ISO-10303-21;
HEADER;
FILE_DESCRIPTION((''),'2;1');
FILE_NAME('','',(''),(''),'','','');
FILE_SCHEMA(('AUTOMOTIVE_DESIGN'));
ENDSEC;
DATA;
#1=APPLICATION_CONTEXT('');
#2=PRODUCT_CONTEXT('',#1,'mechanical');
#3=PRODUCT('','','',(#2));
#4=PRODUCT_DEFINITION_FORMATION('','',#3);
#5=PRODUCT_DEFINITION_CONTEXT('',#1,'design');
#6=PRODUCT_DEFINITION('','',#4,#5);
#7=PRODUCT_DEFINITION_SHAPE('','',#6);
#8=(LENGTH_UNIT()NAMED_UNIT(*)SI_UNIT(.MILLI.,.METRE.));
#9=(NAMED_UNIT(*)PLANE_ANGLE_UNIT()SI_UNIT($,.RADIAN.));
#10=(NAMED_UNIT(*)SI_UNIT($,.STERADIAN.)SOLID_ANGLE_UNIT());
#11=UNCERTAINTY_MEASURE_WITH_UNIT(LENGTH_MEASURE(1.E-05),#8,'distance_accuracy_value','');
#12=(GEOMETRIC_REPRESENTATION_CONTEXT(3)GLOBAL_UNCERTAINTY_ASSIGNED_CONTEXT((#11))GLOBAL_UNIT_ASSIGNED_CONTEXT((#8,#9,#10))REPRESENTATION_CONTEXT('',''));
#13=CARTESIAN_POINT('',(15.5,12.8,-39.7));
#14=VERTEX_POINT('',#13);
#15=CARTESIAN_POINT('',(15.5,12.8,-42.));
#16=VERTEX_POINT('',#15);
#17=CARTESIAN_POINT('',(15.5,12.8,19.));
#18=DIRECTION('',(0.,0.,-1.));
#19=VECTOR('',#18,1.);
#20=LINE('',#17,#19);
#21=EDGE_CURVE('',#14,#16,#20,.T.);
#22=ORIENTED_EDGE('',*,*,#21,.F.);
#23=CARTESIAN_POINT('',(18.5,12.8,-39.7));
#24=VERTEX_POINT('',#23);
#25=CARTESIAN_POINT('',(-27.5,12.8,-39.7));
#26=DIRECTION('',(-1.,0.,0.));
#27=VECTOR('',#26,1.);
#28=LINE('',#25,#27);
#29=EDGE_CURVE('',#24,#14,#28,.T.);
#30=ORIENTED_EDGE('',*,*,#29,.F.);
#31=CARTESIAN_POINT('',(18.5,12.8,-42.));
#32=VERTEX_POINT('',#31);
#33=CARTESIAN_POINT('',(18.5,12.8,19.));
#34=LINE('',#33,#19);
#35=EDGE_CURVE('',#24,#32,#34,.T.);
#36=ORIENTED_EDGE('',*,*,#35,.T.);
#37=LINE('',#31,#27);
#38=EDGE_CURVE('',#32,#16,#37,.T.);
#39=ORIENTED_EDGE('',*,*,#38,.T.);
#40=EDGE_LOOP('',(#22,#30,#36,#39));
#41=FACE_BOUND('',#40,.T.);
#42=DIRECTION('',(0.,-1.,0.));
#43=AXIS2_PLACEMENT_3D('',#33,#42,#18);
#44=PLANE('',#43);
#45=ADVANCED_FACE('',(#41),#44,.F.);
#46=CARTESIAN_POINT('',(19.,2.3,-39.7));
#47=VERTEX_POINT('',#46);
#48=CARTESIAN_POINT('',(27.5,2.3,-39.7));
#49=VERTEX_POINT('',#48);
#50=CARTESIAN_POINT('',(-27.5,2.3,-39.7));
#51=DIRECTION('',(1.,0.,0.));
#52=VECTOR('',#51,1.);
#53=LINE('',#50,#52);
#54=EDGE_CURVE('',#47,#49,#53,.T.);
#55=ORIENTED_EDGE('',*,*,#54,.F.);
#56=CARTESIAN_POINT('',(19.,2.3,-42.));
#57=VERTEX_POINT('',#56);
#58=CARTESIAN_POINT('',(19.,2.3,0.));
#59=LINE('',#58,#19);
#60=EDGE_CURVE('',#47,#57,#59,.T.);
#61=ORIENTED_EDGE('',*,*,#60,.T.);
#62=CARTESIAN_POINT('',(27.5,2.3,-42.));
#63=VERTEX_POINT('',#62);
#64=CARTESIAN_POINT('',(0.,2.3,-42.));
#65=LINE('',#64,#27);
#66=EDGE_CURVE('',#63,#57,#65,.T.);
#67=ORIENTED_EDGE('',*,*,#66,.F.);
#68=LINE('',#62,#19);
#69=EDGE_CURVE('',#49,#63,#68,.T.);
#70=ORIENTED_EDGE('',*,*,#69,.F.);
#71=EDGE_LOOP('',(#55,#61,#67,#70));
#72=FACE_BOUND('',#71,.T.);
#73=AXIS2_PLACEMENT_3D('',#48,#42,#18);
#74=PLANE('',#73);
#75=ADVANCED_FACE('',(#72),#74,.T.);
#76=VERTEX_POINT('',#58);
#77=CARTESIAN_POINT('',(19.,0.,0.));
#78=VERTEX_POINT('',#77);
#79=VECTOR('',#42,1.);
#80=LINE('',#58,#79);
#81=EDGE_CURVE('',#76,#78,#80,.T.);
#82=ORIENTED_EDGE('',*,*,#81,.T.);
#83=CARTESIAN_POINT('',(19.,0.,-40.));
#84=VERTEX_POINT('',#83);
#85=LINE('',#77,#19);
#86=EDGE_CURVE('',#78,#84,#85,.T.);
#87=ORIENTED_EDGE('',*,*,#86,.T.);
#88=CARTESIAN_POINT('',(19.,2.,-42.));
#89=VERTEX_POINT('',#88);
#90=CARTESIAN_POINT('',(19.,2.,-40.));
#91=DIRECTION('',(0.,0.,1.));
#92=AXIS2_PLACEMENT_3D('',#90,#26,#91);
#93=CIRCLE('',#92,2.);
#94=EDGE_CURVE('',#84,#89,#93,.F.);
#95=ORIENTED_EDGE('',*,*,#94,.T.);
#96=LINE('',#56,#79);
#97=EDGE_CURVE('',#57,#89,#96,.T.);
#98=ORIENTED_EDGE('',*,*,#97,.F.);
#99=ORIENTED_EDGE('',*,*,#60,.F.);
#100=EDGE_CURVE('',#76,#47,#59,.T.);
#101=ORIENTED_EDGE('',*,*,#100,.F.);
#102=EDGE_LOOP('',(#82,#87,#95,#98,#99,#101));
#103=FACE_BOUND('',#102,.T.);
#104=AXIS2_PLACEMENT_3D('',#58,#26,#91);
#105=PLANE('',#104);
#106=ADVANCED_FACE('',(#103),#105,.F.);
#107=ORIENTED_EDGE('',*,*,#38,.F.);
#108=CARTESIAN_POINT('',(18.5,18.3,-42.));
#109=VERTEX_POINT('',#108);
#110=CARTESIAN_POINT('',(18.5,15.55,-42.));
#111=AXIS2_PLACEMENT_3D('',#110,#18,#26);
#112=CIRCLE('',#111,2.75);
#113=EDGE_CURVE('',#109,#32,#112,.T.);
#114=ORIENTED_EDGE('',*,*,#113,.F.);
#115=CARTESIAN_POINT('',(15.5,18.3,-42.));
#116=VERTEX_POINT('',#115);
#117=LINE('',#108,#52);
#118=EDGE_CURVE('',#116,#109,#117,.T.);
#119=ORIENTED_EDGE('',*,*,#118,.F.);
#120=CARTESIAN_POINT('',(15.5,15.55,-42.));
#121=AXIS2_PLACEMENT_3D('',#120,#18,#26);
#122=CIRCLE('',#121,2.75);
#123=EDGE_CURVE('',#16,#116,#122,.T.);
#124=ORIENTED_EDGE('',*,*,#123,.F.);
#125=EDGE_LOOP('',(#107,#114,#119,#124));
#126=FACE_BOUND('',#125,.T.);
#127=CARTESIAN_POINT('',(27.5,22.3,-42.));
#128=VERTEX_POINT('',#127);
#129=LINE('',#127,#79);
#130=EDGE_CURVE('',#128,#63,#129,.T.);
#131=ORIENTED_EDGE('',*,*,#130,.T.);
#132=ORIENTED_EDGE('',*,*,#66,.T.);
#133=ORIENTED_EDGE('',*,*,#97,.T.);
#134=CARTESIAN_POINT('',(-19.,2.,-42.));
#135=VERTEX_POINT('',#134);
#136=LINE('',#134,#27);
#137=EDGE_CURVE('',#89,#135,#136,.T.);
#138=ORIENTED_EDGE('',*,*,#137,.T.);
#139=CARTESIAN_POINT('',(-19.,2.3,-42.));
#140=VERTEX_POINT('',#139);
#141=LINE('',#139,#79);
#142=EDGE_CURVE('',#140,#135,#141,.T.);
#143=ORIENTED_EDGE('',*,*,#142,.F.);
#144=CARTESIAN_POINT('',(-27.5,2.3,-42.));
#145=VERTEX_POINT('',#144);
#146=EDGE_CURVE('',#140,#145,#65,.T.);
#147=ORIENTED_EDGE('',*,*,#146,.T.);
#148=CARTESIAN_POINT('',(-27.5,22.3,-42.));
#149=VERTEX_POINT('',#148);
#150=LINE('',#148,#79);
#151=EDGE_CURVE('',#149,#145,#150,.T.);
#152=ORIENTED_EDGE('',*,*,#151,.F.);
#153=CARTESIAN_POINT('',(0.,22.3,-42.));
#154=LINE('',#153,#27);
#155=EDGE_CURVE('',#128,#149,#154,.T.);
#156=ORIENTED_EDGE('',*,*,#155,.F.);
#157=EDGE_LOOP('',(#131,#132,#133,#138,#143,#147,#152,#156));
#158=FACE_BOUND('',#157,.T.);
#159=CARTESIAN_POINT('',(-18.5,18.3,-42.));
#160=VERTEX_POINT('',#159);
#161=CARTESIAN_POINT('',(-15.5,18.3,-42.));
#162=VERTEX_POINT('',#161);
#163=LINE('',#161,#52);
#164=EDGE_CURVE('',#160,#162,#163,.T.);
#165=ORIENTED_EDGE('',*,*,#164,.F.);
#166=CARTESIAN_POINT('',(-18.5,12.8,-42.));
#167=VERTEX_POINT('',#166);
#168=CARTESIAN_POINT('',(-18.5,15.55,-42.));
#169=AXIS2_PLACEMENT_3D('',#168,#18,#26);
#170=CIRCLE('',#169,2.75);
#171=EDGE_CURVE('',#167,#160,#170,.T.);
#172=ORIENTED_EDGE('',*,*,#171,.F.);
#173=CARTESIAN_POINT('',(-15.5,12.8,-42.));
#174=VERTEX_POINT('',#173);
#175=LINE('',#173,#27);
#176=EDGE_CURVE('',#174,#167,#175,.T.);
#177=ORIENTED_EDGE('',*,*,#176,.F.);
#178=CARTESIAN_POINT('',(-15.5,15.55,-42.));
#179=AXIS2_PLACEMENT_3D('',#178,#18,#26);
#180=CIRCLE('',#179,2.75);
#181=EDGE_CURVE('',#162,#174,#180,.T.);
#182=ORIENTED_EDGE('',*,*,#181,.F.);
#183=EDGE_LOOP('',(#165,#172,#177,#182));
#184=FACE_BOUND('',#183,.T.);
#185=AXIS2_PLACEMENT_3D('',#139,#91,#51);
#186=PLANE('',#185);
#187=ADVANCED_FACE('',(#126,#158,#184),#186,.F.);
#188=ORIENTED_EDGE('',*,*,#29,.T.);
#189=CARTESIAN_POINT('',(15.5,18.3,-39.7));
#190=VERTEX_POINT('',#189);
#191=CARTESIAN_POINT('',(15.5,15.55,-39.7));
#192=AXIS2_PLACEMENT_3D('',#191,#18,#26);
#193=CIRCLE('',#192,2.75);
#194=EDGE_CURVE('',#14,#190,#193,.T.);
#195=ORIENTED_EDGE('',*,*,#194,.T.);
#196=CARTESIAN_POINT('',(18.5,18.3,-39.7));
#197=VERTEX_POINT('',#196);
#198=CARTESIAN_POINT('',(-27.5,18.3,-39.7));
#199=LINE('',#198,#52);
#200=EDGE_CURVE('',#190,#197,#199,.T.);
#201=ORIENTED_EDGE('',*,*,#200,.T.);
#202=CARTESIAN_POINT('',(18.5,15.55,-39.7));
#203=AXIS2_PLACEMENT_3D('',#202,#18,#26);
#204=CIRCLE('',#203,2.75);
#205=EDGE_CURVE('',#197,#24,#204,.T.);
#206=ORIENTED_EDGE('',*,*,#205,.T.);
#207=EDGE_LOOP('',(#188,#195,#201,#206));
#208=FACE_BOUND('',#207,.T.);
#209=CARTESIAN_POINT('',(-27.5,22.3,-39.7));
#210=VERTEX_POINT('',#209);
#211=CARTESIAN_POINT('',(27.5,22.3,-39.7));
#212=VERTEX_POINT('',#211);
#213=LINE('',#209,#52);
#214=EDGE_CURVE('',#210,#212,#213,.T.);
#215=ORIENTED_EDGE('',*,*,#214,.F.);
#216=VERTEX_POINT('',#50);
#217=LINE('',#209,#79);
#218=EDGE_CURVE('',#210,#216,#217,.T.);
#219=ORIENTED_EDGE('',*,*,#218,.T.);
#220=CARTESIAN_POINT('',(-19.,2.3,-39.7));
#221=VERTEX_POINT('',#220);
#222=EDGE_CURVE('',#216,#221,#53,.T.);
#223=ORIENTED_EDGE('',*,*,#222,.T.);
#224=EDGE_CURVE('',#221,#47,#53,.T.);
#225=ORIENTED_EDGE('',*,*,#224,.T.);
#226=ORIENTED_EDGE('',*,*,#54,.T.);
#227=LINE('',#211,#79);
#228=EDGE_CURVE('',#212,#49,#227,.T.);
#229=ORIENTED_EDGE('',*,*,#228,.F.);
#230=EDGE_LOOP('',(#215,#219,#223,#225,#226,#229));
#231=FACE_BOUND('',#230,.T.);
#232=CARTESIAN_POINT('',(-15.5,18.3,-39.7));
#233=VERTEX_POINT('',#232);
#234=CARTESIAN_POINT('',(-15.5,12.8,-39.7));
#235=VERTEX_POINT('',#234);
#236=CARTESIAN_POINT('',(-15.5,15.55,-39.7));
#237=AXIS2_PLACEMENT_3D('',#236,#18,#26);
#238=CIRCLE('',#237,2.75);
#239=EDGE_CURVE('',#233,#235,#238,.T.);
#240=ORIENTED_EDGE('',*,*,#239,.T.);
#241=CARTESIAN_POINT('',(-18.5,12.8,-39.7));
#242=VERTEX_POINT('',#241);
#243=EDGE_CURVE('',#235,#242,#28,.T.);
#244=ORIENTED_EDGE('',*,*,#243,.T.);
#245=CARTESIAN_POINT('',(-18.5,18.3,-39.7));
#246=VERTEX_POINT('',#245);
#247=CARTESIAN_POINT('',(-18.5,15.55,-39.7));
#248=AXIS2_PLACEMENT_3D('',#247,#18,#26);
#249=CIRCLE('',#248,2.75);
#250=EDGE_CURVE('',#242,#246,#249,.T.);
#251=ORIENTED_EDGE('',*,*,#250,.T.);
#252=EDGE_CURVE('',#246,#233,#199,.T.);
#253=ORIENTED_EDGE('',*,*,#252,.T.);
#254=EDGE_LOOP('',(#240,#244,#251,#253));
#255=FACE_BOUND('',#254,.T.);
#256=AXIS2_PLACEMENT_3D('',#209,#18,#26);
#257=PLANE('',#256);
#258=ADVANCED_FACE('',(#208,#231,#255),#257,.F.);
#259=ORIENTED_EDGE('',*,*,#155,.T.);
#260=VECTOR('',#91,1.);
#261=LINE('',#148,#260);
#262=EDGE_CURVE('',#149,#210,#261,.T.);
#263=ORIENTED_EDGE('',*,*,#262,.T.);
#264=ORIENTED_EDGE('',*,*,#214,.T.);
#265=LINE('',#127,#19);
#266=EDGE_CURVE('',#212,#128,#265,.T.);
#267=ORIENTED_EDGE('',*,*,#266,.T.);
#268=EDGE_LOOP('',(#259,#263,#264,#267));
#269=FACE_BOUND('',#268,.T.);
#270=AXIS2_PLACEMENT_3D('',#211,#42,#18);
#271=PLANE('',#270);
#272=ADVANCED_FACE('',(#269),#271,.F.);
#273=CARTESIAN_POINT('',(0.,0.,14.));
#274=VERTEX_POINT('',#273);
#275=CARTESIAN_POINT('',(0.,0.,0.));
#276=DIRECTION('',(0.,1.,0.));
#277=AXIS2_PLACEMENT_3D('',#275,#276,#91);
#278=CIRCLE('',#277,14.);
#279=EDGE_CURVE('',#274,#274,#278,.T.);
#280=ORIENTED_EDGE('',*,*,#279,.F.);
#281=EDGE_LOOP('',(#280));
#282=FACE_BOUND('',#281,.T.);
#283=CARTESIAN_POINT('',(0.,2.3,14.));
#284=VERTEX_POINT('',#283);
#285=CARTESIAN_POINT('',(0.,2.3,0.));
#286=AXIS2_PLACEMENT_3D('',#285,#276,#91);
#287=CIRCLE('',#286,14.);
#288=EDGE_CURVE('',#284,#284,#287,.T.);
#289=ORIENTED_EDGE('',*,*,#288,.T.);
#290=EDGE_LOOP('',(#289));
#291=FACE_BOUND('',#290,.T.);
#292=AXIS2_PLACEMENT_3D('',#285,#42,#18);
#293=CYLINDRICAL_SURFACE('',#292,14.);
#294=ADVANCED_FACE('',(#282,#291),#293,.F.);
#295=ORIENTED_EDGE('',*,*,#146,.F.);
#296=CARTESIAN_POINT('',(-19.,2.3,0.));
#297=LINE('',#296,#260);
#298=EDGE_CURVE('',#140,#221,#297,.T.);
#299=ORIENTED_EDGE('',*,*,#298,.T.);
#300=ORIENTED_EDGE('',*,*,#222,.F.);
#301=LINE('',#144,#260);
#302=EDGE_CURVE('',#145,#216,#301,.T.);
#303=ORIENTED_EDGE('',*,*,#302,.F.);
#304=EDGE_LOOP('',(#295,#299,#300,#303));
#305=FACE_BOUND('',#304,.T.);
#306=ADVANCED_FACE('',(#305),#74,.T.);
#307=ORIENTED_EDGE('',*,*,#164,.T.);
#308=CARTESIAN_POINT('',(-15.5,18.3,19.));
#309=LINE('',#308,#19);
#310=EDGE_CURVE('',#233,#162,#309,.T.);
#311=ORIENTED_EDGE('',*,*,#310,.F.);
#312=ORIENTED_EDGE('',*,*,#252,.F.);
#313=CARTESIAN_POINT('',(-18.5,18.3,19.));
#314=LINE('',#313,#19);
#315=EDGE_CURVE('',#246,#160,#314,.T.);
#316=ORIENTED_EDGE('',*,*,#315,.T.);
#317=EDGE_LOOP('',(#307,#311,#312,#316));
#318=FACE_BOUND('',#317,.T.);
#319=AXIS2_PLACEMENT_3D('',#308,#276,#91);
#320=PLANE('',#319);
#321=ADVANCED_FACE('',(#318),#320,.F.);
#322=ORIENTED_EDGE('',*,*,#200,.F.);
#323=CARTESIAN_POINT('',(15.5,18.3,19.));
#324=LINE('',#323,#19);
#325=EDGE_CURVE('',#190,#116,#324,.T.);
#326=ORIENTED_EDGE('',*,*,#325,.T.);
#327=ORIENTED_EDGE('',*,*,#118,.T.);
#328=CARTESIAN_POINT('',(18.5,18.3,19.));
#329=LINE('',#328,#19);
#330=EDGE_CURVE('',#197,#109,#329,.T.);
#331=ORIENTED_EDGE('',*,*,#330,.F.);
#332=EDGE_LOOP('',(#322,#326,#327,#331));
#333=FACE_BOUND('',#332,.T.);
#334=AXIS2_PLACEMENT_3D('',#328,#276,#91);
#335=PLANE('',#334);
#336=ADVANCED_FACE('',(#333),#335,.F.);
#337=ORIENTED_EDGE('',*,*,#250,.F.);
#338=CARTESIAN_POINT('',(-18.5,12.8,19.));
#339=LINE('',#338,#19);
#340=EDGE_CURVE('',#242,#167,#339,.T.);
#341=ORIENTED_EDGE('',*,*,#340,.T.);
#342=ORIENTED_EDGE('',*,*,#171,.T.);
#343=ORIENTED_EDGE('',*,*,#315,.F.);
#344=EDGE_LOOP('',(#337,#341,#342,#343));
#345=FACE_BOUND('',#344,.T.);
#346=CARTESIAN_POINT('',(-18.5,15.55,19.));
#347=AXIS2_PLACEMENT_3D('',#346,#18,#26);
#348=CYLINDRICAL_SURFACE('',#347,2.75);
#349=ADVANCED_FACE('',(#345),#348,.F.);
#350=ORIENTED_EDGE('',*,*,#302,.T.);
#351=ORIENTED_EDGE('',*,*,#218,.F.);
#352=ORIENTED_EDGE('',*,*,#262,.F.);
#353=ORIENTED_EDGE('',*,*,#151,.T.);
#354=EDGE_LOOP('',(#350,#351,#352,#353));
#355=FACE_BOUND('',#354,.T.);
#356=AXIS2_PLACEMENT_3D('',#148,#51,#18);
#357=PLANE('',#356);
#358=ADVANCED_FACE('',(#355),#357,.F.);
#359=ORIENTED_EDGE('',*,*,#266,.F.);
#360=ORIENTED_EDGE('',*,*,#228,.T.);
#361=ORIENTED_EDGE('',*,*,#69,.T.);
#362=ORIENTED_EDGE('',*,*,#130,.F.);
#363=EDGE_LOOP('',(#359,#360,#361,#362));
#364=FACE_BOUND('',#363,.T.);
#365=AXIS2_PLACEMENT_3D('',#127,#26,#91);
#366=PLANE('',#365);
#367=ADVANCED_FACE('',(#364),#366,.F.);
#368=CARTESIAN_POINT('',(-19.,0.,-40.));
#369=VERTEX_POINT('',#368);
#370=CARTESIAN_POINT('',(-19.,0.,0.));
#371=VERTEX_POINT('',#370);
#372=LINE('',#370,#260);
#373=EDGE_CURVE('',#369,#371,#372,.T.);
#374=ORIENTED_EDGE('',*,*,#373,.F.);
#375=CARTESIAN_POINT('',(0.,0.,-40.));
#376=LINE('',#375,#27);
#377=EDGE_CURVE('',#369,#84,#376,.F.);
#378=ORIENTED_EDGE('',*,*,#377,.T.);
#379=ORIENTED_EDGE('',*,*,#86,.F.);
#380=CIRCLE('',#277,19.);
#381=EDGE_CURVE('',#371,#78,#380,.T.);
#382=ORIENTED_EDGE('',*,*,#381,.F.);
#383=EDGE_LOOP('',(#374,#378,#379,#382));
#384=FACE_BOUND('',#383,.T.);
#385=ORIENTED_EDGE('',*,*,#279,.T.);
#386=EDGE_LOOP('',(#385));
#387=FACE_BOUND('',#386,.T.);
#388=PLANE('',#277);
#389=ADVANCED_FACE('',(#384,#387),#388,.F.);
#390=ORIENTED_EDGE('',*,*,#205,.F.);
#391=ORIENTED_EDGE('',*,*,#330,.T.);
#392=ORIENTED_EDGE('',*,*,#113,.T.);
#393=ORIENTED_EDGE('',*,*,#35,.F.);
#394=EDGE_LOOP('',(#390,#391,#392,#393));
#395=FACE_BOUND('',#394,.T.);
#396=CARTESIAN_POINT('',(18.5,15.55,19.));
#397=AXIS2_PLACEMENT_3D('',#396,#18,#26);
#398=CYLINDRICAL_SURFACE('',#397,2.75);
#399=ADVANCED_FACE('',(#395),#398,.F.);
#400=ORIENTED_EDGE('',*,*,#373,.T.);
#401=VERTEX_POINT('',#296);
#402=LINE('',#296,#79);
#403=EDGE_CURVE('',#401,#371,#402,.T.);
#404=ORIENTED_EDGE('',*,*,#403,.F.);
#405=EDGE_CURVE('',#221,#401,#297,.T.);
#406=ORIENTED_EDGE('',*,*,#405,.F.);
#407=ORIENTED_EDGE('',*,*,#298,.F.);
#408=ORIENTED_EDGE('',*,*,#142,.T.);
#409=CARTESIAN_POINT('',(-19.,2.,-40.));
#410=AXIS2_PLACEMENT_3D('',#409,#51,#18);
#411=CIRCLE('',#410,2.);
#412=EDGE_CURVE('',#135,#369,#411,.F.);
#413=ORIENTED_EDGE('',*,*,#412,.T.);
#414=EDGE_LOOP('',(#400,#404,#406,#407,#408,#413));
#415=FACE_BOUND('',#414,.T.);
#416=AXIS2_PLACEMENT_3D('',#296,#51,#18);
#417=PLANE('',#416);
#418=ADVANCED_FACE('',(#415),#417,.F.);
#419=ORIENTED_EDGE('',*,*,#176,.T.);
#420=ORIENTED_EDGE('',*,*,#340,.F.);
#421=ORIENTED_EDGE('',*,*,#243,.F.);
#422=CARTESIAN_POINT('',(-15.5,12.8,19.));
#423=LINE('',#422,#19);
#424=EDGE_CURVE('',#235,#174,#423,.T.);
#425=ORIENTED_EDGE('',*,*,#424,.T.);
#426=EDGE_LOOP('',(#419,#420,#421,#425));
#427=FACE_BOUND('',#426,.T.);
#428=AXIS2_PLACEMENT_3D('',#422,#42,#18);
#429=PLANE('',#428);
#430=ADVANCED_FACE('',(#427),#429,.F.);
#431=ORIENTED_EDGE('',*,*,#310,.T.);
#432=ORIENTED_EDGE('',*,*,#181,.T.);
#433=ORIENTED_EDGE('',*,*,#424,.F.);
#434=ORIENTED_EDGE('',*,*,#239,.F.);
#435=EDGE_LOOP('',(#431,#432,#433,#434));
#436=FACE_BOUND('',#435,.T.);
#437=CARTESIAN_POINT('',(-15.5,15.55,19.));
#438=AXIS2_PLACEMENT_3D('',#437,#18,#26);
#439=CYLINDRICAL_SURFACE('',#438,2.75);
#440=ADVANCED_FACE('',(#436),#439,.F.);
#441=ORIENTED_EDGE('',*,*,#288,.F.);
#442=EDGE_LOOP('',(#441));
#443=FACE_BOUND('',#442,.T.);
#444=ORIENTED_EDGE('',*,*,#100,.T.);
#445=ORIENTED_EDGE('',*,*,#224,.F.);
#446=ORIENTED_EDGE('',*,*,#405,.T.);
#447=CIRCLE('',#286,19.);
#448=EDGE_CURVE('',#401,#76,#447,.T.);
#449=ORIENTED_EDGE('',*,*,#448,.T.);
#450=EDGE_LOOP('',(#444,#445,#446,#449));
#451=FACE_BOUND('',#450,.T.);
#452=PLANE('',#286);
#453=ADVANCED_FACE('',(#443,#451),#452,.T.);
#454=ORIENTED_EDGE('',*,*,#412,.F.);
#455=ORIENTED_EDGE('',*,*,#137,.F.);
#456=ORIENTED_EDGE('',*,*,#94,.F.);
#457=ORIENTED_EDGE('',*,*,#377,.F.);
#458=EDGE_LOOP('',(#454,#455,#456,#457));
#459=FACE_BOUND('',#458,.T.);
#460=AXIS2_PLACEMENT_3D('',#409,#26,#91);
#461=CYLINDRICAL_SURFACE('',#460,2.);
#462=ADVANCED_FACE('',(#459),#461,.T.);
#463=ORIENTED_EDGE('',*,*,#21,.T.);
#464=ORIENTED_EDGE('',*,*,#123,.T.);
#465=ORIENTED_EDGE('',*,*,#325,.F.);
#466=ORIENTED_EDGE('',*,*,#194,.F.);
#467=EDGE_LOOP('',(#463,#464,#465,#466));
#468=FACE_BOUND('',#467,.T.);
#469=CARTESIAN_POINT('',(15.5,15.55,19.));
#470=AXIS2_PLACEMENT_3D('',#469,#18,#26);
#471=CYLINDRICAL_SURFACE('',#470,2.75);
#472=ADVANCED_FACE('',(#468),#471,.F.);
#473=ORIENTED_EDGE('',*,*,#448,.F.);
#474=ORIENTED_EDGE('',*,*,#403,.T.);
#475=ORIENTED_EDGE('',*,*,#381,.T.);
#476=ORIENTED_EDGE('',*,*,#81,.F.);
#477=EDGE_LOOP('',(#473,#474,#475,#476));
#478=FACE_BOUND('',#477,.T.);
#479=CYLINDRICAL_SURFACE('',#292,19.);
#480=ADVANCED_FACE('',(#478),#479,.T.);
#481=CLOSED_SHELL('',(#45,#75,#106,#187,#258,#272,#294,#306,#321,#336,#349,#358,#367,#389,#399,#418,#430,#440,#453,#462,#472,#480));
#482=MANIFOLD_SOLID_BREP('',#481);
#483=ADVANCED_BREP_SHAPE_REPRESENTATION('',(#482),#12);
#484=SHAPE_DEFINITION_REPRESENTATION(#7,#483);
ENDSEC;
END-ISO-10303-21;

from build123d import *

# Parameters (mm, degrees)
SKETCH_1_R          = 14
EXTRUDE_1_DEPTH     = 2.3
EXTRUDE_2_DEPTH     = 20
FILLET_1_R          = 2
CUT_EXTRUDE_3_DEPTH = 71.530418969


with BuildPart() as part:
    # 草图1 → 拉伸1 (new body)
    with BuildSketch(Plane(origin=(0, 0, 0), x_dir=(1, 0, 0), z_dir=(0, 1, 0))):
        with BuildLine():
            Line((-19, 0), (-19, 42))
            Line((-19, 42), (19, 42))
            Line((19, 42), (19, 0))
            ThreePointArc((19, 0), (0, -19), (-19, 0))
        make_face()
        with Locations(Location((0, 0, 0), (0, 0, 270))):
            Circle(SKETCH_1_R, mode=Mode.SUBTRACT)
    extrude(amount=EXTRUDE_1_DEPTH)

    # 草图2 → 拉伸2 (add)
    with BuildSketch(Plane(origin=(0, 2.3, 0), x_dir=(1, 0, 0), z_dir=(0, 1, 0))):
        Polygon((0, 42), (27.5, 42), (27.5, 39.7), (-27.5, 39.7), (-27.5, 42), align=None)
    extrude(amount=EXTRUDE_2_DEPTH)

    # 圆角1
    fillet_1_edges = [part.edges().sort_by_distance(p)[0] for p in [
        (0, 0, -42),
    ]]
    fillet(fillet_1_edges, radius=FILLET_1_R)

    # 草图3 → 拉伸3 (cut, through all)
    with BuildSketch(Plane(origin=(0, 0, -42), x_dir=(-1, 0, 0), z_dir=(0, 0, -1))):
        with BuildLine():
            Line((-18.5, 18.3), (-15.5, 18.3))
            ThreePointArc((-15.5, 18.3), (-12.75, 15.55), (-15.5, 12.8))
            Line((-15.5, 12.8), (-18.5, 12.8))
            ThreePointArc((-18.5, 12.8), (-21.25, 15.55), (-18.5, 18.3))
        make_face()
        with BuildLine():
            Line((15.5, 18.3), (18.5, 18.3))
            ThreePointArc((18.5, 18.3), (21.25, 15.55), (18.5, 12.8))
            Line((18.5, 12.8), (15.5, 12.8))
            ThreePointArc((15.5, 12.8), (12.75, 15.55), (15.5, 18.3))
        make_face()
    extrude(amount=-CUT_EXTRUDE_3_DEPTH, mode=Mode.SUBTRACT)


solid = part.part
